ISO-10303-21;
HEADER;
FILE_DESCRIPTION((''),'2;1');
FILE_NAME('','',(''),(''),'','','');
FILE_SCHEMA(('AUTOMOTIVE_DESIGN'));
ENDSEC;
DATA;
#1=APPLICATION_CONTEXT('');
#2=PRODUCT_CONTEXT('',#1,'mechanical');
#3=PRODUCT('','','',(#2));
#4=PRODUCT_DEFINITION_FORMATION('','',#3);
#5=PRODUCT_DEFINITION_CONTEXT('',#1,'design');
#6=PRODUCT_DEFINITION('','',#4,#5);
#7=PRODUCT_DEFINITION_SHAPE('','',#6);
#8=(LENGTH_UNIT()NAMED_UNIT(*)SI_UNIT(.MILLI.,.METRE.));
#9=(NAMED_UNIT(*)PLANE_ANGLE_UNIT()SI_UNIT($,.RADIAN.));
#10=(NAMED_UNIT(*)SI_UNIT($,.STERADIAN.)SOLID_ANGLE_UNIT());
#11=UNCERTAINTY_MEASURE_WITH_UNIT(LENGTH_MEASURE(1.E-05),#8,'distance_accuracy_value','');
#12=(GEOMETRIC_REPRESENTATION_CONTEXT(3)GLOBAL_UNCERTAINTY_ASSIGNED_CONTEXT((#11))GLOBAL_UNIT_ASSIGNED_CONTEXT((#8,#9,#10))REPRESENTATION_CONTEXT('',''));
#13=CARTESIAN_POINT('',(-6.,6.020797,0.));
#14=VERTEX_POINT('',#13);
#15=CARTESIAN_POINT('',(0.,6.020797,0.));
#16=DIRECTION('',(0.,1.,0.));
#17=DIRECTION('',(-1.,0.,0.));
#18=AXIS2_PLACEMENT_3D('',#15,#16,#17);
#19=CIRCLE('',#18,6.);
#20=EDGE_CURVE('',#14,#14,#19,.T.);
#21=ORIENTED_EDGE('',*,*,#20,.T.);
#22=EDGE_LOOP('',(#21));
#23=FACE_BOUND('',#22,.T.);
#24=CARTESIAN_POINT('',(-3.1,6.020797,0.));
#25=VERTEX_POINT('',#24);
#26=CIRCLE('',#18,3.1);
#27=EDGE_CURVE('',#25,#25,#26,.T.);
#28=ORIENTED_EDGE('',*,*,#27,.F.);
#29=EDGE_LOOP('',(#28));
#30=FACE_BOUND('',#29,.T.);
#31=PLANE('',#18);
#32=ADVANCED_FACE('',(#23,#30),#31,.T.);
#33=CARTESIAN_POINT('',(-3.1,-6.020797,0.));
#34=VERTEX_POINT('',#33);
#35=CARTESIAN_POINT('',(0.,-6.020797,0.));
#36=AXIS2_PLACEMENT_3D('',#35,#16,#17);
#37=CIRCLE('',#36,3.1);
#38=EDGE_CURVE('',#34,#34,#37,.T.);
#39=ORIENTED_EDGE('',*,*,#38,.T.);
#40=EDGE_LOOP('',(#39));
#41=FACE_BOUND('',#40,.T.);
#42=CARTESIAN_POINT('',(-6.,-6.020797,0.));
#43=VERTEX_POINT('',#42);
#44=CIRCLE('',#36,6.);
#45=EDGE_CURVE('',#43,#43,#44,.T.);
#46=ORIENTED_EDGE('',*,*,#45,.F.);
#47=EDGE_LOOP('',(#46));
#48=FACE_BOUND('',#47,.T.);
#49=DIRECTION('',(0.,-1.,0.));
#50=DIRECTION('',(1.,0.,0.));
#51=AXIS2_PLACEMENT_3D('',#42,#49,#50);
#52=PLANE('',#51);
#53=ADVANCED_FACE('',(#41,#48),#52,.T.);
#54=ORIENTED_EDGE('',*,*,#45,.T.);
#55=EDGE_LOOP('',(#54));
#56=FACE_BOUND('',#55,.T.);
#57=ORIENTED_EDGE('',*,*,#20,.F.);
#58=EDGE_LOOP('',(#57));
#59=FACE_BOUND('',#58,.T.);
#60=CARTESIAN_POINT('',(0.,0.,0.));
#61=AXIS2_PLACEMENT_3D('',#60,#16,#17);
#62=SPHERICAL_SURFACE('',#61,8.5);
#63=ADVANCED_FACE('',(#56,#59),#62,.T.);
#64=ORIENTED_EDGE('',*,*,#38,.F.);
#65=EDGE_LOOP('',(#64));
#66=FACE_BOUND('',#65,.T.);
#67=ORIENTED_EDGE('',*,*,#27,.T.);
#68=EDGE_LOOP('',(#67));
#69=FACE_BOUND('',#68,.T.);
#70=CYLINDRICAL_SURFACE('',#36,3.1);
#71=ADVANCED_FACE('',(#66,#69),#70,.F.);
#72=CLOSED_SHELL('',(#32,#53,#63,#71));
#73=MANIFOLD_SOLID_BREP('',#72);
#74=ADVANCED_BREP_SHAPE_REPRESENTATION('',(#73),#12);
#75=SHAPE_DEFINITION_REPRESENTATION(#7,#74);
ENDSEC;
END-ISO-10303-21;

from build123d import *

# Parameters (mm, degrees)
SKETCH3_R          = 3.1
CUT_EXTRUDE1_DEPTH = 13.041594579


with BuildPart() as part:
    # Sketch1 → Revolve2 (revolve)
    with BuildSketch(Plane.XY):
        with BuildLine():
            Line((0, 6.020797289), (0, -6.020797289))
            Line((0, -6.020797289), (-6, -6.020797289))
            ThreePointArc((-6, -6.020797289), (-8.5, 0), (-6, 6.020797289))
            Line((-6, 6.020797289), (0, 6.020797289))
        make_face()
    revolve(axis=Axis((0, 6.020797289, 0), (0, -1, 0)))

    # Sketch3 → Cut-Extrude1 (cut, through all)
    with BuildSketch(Plane(origin=(0, 6.020797289, 0), x_dir=(1, 0, 0), z_dir=(0, 1, 0))):
        Circle(SKETCH3_R)
    extrude(amount=-CUT_EXTRUDE1_DEPTH, mode=Mode.SUBTRACT)


solid = part.part
